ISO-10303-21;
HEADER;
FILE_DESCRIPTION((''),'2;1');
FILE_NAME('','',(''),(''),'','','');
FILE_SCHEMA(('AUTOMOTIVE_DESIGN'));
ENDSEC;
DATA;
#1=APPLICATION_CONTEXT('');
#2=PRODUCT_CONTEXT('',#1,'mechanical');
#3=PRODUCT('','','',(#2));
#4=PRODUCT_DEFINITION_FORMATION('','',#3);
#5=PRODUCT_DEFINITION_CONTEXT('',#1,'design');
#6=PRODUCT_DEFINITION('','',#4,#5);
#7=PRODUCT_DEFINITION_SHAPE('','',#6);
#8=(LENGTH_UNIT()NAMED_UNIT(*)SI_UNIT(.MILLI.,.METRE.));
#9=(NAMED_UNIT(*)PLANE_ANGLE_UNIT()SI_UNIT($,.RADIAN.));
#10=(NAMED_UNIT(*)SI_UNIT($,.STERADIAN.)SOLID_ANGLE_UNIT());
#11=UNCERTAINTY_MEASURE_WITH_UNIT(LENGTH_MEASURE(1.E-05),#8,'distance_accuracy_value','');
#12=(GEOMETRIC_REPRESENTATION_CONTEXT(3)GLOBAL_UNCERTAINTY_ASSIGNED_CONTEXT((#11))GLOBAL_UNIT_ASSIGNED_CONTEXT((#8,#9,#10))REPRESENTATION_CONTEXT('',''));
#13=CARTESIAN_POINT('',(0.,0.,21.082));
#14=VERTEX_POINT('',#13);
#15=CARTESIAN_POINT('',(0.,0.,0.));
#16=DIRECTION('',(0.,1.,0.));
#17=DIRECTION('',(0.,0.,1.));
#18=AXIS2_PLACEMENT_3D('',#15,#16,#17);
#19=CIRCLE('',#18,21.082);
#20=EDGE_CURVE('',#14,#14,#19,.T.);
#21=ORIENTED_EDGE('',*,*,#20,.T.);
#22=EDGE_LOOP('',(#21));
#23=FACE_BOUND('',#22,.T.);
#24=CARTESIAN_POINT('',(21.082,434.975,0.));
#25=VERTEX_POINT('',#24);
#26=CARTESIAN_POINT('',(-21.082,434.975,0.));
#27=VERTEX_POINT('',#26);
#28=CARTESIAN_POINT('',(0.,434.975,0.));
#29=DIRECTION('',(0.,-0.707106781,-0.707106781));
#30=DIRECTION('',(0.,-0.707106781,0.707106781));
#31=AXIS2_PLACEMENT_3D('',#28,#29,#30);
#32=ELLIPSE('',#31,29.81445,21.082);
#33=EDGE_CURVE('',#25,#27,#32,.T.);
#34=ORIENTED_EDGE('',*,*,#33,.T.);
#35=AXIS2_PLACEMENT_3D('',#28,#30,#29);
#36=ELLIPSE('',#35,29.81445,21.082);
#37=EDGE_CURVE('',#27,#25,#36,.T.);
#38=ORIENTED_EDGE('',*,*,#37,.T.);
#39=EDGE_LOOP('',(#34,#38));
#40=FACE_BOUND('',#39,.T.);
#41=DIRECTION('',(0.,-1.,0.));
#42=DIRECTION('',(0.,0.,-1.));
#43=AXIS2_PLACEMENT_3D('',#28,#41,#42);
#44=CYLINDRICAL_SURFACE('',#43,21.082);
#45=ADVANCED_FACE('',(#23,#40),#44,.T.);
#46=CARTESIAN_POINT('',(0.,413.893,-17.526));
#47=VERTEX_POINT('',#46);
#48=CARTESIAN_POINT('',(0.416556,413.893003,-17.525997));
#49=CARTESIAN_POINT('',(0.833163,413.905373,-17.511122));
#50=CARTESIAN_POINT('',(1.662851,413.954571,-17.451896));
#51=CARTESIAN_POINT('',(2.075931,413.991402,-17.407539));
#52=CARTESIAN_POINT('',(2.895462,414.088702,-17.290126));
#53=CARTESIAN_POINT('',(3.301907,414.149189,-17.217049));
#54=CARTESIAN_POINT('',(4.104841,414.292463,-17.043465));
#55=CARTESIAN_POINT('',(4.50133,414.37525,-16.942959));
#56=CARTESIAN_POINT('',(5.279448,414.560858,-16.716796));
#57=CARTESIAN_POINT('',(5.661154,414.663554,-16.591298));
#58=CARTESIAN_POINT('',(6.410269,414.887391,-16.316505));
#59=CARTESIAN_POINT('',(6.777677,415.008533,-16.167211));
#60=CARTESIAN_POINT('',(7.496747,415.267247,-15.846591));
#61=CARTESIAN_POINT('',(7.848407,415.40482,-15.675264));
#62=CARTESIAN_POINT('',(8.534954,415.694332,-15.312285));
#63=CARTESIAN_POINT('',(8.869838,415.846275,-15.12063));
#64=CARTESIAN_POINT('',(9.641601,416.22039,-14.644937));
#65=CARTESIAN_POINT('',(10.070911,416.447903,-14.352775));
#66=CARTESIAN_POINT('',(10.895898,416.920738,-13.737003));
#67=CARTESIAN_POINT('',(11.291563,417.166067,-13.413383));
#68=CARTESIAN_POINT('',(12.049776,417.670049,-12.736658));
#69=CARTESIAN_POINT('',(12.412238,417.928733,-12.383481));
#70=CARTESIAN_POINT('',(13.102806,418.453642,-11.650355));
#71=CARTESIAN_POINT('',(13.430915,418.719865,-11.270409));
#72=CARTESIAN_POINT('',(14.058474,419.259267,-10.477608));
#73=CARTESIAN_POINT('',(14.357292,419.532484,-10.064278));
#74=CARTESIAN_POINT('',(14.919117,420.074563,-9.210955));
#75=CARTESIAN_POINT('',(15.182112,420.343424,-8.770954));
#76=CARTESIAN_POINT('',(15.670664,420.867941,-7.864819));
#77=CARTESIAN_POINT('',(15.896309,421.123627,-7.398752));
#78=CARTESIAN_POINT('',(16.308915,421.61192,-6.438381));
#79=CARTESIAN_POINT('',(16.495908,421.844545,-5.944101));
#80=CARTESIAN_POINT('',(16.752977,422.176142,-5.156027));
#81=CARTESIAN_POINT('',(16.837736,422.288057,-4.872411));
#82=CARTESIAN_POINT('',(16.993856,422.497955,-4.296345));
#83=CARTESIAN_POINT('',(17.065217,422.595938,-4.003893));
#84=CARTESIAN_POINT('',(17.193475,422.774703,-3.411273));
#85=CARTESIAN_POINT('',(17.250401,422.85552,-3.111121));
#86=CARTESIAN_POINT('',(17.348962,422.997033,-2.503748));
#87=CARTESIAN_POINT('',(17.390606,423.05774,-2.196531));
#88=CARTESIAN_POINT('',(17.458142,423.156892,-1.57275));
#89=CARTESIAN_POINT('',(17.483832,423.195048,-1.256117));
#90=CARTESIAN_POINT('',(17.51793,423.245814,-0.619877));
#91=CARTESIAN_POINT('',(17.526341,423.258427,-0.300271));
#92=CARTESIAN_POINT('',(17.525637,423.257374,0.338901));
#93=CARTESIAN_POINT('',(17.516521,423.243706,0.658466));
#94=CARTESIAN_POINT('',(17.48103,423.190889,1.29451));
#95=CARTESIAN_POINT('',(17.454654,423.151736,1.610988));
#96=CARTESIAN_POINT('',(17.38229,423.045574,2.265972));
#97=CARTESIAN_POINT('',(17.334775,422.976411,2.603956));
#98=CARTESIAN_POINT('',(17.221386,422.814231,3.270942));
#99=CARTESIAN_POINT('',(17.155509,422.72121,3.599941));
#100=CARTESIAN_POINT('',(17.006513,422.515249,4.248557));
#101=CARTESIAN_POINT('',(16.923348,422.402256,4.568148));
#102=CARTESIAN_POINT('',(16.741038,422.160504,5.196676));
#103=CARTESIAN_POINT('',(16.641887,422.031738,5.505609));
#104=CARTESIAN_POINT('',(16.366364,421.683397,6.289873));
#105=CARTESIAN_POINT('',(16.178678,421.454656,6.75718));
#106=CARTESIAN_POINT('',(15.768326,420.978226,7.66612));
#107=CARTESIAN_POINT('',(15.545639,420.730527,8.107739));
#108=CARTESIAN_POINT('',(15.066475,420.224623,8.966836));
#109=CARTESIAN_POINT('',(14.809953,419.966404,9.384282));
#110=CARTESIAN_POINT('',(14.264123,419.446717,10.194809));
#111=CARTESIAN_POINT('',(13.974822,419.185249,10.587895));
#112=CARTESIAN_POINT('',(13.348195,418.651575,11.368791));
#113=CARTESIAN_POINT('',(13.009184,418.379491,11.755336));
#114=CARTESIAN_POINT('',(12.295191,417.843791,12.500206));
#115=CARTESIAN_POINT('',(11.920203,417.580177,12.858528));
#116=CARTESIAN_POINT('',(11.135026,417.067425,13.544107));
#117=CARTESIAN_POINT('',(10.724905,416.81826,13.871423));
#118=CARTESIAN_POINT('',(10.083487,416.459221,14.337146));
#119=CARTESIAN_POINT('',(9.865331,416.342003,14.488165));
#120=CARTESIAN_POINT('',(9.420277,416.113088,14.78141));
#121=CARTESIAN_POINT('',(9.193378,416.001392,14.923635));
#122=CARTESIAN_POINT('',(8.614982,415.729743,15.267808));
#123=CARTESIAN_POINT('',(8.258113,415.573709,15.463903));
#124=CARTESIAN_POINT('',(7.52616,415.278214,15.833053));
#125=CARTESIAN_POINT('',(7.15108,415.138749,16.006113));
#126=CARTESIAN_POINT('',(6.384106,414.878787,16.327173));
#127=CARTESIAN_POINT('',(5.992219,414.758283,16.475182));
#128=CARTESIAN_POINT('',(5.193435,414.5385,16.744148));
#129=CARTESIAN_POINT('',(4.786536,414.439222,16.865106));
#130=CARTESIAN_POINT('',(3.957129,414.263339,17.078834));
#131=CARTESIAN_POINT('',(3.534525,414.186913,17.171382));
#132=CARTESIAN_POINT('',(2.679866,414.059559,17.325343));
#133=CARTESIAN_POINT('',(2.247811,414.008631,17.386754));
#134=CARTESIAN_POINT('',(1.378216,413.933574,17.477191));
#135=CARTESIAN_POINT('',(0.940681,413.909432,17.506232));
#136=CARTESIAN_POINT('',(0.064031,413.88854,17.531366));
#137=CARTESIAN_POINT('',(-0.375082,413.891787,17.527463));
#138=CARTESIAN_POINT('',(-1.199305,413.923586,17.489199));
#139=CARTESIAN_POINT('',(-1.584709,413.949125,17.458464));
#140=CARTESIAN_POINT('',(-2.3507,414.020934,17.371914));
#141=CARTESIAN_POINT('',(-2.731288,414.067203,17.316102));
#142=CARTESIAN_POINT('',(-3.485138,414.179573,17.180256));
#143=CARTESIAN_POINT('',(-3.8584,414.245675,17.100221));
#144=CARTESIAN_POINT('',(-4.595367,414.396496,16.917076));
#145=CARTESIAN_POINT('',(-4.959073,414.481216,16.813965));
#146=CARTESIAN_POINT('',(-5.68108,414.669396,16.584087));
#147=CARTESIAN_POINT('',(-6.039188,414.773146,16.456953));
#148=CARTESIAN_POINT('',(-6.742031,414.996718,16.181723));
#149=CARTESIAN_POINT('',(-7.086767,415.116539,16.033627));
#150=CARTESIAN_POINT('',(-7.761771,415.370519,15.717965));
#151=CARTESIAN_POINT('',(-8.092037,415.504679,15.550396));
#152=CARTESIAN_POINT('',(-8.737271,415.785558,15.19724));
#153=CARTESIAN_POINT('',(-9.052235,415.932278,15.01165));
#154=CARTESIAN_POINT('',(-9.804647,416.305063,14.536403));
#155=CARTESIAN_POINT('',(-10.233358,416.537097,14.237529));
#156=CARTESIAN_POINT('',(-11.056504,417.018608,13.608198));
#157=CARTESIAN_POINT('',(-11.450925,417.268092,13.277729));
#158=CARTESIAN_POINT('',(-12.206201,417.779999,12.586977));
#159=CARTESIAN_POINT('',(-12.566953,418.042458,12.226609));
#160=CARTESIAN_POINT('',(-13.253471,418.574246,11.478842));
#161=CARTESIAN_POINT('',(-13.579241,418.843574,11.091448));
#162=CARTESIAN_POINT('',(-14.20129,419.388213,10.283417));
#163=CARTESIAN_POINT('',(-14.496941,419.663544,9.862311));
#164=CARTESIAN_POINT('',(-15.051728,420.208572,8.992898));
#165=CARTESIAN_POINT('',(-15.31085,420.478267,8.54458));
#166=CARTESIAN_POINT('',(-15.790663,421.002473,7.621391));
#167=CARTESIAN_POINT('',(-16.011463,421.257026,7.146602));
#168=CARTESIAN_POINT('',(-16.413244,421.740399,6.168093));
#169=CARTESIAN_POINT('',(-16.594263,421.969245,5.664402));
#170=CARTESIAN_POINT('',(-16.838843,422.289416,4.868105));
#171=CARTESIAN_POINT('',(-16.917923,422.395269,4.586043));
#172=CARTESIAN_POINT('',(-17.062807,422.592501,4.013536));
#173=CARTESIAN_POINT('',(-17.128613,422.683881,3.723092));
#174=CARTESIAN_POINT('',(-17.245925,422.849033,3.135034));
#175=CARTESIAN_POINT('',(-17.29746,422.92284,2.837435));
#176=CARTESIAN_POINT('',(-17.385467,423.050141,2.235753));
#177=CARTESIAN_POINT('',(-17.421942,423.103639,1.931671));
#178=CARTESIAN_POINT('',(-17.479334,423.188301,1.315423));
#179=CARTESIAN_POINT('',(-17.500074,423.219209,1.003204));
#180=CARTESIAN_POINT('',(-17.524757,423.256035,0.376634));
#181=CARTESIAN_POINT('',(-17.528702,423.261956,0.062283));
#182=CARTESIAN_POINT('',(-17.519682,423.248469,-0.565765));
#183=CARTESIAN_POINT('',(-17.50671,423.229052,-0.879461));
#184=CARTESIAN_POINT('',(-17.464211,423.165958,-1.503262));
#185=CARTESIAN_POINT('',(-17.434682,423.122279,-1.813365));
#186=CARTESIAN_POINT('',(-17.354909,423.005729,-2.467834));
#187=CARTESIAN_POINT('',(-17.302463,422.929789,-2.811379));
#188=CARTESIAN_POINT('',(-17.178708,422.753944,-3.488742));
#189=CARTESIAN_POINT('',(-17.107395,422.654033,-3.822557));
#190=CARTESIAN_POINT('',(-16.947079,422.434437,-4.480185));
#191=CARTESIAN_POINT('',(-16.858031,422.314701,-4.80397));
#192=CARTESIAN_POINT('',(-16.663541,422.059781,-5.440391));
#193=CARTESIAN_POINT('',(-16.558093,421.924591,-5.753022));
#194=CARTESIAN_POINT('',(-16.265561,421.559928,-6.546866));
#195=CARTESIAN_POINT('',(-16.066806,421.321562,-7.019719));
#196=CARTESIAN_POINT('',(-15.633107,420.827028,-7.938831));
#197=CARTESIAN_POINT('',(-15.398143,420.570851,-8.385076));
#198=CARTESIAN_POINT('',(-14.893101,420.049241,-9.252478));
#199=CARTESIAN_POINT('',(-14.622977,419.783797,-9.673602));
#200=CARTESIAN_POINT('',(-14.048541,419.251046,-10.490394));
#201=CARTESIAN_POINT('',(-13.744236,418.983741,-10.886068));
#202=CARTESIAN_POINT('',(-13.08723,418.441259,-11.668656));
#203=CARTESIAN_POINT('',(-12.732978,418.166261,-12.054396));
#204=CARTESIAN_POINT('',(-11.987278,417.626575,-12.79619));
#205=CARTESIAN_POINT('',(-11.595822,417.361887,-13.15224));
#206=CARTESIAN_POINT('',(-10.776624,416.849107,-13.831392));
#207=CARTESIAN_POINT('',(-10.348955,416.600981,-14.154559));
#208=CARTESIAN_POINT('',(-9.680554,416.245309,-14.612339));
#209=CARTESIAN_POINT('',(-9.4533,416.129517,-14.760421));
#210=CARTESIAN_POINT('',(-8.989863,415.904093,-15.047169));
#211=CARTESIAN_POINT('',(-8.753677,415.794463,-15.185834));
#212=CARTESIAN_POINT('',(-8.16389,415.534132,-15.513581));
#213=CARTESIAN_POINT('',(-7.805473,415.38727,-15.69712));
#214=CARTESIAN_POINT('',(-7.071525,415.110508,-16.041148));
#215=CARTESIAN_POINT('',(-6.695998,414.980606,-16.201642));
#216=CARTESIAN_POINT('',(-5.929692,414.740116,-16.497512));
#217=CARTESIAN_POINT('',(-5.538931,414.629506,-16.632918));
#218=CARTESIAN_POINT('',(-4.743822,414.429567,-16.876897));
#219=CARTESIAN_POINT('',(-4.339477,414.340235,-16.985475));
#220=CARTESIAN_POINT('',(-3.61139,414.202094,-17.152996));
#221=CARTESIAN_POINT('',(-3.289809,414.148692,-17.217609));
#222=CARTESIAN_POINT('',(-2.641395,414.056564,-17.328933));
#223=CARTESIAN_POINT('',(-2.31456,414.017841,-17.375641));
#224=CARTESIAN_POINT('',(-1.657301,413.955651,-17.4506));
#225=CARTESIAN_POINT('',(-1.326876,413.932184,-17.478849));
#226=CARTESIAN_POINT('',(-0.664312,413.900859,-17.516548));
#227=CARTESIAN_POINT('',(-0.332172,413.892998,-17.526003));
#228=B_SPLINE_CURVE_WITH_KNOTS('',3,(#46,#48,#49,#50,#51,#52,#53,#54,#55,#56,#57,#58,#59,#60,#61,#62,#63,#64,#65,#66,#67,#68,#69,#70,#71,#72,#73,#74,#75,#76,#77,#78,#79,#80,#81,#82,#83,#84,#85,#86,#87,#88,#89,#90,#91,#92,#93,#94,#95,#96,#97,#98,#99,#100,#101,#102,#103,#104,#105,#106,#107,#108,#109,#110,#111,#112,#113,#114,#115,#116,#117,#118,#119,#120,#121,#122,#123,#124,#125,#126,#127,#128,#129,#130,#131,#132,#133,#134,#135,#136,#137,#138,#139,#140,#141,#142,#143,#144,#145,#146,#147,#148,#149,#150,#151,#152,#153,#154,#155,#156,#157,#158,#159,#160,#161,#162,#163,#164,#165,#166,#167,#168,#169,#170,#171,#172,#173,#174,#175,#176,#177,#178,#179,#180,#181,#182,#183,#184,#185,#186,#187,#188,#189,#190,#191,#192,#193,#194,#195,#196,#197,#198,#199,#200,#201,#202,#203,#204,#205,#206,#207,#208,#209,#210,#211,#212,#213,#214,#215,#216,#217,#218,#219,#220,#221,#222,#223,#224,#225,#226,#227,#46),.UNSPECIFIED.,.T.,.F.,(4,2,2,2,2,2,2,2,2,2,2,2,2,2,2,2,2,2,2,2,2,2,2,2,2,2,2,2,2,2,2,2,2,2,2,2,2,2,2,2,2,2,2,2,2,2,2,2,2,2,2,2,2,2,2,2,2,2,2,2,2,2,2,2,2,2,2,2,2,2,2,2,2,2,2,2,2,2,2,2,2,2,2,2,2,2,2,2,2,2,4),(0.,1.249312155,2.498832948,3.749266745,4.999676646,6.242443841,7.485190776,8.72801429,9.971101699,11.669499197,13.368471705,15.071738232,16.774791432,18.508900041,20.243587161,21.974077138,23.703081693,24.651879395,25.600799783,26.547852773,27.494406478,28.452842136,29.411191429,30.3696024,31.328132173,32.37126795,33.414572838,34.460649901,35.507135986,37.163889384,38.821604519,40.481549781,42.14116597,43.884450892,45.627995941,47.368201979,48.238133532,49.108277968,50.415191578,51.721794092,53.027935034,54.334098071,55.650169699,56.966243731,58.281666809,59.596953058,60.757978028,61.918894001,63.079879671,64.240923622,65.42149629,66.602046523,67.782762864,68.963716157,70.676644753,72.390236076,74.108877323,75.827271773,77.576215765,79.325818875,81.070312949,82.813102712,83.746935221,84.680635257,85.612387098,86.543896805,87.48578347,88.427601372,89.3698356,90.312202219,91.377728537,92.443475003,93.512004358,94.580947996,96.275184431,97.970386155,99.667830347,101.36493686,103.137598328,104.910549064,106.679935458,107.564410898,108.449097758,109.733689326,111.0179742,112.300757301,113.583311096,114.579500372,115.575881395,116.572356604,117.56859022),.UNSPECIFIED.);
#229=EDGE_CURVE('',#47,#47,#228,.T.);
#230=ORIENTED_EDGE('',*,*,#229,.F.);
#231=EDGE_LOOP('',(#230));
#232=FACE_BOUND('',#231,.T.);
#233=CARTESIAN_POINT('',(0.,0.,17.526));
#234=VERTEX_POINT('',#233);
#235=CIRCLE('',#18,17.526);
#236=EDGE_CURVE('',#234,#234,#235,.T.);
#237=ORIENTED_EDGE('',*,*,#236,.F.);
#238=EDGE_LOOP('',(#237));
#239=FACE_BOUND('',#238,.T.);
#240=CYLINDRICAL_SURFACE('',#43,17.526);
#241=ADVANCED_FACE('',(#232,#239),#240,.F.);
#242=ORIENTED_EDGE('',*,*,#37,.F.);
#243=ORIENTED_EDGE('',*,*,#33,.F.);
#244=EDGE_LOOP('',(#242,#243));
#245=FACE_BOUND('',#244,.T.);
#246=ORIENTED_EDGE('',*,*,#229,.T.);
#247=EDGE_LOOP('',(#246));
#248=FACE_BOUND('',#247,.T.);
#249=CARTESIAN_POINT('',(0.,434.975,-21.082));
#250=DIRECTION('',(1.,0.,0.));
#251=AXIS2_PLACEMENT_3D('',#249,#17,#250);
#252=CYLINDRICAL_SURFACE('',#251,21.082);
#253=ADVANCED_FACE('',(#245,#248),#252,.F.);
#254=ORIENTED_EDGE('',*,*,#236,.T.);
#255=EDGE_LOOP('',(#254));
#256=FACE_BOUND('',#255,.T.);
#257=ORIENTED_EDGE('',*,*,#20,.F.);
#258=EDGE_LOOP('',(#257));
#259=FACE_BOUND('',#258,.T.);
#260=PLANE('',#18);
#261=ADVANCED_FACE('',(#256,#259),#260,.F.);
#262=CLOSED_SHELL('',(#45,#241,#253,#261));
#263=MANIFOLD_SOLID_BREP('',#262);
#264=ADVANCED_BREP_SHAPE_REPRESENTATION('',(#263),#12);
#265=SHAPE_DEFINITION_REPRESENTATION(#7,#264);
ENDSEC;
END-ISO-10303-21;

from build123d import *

# Parameters (mm, degrees)
SKETCH1_R               = 21.082
SKETCH1_R_2             = 17.526
BOSS_EXTRUDE1_DEPTH     = 434.975
SKETCH2_R               = 21.082
CUT_EXTRUDE1_DEPTH      = 22.082
CUT_EXTRUDE1_DEPTH_BACK = 22.082


with BuildPart() as part:
    # Sketch1 → Boss-Extrude1 (new body)
    with BuildSketch(Plane(origin=(0, 0, 0), x_dir=(1, 0, 0), z_dir=(0, 1, 0))):
        Circle(SKETCH1_R)
        Circle(SKETCH1_R_2, mode=Mode.SUBTRACT)
    extrude(amount=BOSS_EXTRUDE1_DEPTH)

    # Sketch2 → Cut-Extrude1 (cut, two sides)
    with BuildSketch(Plane.XY) as cut_extrude1_sk:
        with Locations((0, 434.975)):
            Circle(SKETCH2_R)
    extrude(amount=CUT_EXTRUDE1_DEPTH, mode=Mode.SUBTRACT)
    extrude(cut_extrude1_sk.sketch, amount=-CUT_EXTRUDE1_DEPTH_BACK, mode=Mode.SUBTRACT)


solid = part.part
